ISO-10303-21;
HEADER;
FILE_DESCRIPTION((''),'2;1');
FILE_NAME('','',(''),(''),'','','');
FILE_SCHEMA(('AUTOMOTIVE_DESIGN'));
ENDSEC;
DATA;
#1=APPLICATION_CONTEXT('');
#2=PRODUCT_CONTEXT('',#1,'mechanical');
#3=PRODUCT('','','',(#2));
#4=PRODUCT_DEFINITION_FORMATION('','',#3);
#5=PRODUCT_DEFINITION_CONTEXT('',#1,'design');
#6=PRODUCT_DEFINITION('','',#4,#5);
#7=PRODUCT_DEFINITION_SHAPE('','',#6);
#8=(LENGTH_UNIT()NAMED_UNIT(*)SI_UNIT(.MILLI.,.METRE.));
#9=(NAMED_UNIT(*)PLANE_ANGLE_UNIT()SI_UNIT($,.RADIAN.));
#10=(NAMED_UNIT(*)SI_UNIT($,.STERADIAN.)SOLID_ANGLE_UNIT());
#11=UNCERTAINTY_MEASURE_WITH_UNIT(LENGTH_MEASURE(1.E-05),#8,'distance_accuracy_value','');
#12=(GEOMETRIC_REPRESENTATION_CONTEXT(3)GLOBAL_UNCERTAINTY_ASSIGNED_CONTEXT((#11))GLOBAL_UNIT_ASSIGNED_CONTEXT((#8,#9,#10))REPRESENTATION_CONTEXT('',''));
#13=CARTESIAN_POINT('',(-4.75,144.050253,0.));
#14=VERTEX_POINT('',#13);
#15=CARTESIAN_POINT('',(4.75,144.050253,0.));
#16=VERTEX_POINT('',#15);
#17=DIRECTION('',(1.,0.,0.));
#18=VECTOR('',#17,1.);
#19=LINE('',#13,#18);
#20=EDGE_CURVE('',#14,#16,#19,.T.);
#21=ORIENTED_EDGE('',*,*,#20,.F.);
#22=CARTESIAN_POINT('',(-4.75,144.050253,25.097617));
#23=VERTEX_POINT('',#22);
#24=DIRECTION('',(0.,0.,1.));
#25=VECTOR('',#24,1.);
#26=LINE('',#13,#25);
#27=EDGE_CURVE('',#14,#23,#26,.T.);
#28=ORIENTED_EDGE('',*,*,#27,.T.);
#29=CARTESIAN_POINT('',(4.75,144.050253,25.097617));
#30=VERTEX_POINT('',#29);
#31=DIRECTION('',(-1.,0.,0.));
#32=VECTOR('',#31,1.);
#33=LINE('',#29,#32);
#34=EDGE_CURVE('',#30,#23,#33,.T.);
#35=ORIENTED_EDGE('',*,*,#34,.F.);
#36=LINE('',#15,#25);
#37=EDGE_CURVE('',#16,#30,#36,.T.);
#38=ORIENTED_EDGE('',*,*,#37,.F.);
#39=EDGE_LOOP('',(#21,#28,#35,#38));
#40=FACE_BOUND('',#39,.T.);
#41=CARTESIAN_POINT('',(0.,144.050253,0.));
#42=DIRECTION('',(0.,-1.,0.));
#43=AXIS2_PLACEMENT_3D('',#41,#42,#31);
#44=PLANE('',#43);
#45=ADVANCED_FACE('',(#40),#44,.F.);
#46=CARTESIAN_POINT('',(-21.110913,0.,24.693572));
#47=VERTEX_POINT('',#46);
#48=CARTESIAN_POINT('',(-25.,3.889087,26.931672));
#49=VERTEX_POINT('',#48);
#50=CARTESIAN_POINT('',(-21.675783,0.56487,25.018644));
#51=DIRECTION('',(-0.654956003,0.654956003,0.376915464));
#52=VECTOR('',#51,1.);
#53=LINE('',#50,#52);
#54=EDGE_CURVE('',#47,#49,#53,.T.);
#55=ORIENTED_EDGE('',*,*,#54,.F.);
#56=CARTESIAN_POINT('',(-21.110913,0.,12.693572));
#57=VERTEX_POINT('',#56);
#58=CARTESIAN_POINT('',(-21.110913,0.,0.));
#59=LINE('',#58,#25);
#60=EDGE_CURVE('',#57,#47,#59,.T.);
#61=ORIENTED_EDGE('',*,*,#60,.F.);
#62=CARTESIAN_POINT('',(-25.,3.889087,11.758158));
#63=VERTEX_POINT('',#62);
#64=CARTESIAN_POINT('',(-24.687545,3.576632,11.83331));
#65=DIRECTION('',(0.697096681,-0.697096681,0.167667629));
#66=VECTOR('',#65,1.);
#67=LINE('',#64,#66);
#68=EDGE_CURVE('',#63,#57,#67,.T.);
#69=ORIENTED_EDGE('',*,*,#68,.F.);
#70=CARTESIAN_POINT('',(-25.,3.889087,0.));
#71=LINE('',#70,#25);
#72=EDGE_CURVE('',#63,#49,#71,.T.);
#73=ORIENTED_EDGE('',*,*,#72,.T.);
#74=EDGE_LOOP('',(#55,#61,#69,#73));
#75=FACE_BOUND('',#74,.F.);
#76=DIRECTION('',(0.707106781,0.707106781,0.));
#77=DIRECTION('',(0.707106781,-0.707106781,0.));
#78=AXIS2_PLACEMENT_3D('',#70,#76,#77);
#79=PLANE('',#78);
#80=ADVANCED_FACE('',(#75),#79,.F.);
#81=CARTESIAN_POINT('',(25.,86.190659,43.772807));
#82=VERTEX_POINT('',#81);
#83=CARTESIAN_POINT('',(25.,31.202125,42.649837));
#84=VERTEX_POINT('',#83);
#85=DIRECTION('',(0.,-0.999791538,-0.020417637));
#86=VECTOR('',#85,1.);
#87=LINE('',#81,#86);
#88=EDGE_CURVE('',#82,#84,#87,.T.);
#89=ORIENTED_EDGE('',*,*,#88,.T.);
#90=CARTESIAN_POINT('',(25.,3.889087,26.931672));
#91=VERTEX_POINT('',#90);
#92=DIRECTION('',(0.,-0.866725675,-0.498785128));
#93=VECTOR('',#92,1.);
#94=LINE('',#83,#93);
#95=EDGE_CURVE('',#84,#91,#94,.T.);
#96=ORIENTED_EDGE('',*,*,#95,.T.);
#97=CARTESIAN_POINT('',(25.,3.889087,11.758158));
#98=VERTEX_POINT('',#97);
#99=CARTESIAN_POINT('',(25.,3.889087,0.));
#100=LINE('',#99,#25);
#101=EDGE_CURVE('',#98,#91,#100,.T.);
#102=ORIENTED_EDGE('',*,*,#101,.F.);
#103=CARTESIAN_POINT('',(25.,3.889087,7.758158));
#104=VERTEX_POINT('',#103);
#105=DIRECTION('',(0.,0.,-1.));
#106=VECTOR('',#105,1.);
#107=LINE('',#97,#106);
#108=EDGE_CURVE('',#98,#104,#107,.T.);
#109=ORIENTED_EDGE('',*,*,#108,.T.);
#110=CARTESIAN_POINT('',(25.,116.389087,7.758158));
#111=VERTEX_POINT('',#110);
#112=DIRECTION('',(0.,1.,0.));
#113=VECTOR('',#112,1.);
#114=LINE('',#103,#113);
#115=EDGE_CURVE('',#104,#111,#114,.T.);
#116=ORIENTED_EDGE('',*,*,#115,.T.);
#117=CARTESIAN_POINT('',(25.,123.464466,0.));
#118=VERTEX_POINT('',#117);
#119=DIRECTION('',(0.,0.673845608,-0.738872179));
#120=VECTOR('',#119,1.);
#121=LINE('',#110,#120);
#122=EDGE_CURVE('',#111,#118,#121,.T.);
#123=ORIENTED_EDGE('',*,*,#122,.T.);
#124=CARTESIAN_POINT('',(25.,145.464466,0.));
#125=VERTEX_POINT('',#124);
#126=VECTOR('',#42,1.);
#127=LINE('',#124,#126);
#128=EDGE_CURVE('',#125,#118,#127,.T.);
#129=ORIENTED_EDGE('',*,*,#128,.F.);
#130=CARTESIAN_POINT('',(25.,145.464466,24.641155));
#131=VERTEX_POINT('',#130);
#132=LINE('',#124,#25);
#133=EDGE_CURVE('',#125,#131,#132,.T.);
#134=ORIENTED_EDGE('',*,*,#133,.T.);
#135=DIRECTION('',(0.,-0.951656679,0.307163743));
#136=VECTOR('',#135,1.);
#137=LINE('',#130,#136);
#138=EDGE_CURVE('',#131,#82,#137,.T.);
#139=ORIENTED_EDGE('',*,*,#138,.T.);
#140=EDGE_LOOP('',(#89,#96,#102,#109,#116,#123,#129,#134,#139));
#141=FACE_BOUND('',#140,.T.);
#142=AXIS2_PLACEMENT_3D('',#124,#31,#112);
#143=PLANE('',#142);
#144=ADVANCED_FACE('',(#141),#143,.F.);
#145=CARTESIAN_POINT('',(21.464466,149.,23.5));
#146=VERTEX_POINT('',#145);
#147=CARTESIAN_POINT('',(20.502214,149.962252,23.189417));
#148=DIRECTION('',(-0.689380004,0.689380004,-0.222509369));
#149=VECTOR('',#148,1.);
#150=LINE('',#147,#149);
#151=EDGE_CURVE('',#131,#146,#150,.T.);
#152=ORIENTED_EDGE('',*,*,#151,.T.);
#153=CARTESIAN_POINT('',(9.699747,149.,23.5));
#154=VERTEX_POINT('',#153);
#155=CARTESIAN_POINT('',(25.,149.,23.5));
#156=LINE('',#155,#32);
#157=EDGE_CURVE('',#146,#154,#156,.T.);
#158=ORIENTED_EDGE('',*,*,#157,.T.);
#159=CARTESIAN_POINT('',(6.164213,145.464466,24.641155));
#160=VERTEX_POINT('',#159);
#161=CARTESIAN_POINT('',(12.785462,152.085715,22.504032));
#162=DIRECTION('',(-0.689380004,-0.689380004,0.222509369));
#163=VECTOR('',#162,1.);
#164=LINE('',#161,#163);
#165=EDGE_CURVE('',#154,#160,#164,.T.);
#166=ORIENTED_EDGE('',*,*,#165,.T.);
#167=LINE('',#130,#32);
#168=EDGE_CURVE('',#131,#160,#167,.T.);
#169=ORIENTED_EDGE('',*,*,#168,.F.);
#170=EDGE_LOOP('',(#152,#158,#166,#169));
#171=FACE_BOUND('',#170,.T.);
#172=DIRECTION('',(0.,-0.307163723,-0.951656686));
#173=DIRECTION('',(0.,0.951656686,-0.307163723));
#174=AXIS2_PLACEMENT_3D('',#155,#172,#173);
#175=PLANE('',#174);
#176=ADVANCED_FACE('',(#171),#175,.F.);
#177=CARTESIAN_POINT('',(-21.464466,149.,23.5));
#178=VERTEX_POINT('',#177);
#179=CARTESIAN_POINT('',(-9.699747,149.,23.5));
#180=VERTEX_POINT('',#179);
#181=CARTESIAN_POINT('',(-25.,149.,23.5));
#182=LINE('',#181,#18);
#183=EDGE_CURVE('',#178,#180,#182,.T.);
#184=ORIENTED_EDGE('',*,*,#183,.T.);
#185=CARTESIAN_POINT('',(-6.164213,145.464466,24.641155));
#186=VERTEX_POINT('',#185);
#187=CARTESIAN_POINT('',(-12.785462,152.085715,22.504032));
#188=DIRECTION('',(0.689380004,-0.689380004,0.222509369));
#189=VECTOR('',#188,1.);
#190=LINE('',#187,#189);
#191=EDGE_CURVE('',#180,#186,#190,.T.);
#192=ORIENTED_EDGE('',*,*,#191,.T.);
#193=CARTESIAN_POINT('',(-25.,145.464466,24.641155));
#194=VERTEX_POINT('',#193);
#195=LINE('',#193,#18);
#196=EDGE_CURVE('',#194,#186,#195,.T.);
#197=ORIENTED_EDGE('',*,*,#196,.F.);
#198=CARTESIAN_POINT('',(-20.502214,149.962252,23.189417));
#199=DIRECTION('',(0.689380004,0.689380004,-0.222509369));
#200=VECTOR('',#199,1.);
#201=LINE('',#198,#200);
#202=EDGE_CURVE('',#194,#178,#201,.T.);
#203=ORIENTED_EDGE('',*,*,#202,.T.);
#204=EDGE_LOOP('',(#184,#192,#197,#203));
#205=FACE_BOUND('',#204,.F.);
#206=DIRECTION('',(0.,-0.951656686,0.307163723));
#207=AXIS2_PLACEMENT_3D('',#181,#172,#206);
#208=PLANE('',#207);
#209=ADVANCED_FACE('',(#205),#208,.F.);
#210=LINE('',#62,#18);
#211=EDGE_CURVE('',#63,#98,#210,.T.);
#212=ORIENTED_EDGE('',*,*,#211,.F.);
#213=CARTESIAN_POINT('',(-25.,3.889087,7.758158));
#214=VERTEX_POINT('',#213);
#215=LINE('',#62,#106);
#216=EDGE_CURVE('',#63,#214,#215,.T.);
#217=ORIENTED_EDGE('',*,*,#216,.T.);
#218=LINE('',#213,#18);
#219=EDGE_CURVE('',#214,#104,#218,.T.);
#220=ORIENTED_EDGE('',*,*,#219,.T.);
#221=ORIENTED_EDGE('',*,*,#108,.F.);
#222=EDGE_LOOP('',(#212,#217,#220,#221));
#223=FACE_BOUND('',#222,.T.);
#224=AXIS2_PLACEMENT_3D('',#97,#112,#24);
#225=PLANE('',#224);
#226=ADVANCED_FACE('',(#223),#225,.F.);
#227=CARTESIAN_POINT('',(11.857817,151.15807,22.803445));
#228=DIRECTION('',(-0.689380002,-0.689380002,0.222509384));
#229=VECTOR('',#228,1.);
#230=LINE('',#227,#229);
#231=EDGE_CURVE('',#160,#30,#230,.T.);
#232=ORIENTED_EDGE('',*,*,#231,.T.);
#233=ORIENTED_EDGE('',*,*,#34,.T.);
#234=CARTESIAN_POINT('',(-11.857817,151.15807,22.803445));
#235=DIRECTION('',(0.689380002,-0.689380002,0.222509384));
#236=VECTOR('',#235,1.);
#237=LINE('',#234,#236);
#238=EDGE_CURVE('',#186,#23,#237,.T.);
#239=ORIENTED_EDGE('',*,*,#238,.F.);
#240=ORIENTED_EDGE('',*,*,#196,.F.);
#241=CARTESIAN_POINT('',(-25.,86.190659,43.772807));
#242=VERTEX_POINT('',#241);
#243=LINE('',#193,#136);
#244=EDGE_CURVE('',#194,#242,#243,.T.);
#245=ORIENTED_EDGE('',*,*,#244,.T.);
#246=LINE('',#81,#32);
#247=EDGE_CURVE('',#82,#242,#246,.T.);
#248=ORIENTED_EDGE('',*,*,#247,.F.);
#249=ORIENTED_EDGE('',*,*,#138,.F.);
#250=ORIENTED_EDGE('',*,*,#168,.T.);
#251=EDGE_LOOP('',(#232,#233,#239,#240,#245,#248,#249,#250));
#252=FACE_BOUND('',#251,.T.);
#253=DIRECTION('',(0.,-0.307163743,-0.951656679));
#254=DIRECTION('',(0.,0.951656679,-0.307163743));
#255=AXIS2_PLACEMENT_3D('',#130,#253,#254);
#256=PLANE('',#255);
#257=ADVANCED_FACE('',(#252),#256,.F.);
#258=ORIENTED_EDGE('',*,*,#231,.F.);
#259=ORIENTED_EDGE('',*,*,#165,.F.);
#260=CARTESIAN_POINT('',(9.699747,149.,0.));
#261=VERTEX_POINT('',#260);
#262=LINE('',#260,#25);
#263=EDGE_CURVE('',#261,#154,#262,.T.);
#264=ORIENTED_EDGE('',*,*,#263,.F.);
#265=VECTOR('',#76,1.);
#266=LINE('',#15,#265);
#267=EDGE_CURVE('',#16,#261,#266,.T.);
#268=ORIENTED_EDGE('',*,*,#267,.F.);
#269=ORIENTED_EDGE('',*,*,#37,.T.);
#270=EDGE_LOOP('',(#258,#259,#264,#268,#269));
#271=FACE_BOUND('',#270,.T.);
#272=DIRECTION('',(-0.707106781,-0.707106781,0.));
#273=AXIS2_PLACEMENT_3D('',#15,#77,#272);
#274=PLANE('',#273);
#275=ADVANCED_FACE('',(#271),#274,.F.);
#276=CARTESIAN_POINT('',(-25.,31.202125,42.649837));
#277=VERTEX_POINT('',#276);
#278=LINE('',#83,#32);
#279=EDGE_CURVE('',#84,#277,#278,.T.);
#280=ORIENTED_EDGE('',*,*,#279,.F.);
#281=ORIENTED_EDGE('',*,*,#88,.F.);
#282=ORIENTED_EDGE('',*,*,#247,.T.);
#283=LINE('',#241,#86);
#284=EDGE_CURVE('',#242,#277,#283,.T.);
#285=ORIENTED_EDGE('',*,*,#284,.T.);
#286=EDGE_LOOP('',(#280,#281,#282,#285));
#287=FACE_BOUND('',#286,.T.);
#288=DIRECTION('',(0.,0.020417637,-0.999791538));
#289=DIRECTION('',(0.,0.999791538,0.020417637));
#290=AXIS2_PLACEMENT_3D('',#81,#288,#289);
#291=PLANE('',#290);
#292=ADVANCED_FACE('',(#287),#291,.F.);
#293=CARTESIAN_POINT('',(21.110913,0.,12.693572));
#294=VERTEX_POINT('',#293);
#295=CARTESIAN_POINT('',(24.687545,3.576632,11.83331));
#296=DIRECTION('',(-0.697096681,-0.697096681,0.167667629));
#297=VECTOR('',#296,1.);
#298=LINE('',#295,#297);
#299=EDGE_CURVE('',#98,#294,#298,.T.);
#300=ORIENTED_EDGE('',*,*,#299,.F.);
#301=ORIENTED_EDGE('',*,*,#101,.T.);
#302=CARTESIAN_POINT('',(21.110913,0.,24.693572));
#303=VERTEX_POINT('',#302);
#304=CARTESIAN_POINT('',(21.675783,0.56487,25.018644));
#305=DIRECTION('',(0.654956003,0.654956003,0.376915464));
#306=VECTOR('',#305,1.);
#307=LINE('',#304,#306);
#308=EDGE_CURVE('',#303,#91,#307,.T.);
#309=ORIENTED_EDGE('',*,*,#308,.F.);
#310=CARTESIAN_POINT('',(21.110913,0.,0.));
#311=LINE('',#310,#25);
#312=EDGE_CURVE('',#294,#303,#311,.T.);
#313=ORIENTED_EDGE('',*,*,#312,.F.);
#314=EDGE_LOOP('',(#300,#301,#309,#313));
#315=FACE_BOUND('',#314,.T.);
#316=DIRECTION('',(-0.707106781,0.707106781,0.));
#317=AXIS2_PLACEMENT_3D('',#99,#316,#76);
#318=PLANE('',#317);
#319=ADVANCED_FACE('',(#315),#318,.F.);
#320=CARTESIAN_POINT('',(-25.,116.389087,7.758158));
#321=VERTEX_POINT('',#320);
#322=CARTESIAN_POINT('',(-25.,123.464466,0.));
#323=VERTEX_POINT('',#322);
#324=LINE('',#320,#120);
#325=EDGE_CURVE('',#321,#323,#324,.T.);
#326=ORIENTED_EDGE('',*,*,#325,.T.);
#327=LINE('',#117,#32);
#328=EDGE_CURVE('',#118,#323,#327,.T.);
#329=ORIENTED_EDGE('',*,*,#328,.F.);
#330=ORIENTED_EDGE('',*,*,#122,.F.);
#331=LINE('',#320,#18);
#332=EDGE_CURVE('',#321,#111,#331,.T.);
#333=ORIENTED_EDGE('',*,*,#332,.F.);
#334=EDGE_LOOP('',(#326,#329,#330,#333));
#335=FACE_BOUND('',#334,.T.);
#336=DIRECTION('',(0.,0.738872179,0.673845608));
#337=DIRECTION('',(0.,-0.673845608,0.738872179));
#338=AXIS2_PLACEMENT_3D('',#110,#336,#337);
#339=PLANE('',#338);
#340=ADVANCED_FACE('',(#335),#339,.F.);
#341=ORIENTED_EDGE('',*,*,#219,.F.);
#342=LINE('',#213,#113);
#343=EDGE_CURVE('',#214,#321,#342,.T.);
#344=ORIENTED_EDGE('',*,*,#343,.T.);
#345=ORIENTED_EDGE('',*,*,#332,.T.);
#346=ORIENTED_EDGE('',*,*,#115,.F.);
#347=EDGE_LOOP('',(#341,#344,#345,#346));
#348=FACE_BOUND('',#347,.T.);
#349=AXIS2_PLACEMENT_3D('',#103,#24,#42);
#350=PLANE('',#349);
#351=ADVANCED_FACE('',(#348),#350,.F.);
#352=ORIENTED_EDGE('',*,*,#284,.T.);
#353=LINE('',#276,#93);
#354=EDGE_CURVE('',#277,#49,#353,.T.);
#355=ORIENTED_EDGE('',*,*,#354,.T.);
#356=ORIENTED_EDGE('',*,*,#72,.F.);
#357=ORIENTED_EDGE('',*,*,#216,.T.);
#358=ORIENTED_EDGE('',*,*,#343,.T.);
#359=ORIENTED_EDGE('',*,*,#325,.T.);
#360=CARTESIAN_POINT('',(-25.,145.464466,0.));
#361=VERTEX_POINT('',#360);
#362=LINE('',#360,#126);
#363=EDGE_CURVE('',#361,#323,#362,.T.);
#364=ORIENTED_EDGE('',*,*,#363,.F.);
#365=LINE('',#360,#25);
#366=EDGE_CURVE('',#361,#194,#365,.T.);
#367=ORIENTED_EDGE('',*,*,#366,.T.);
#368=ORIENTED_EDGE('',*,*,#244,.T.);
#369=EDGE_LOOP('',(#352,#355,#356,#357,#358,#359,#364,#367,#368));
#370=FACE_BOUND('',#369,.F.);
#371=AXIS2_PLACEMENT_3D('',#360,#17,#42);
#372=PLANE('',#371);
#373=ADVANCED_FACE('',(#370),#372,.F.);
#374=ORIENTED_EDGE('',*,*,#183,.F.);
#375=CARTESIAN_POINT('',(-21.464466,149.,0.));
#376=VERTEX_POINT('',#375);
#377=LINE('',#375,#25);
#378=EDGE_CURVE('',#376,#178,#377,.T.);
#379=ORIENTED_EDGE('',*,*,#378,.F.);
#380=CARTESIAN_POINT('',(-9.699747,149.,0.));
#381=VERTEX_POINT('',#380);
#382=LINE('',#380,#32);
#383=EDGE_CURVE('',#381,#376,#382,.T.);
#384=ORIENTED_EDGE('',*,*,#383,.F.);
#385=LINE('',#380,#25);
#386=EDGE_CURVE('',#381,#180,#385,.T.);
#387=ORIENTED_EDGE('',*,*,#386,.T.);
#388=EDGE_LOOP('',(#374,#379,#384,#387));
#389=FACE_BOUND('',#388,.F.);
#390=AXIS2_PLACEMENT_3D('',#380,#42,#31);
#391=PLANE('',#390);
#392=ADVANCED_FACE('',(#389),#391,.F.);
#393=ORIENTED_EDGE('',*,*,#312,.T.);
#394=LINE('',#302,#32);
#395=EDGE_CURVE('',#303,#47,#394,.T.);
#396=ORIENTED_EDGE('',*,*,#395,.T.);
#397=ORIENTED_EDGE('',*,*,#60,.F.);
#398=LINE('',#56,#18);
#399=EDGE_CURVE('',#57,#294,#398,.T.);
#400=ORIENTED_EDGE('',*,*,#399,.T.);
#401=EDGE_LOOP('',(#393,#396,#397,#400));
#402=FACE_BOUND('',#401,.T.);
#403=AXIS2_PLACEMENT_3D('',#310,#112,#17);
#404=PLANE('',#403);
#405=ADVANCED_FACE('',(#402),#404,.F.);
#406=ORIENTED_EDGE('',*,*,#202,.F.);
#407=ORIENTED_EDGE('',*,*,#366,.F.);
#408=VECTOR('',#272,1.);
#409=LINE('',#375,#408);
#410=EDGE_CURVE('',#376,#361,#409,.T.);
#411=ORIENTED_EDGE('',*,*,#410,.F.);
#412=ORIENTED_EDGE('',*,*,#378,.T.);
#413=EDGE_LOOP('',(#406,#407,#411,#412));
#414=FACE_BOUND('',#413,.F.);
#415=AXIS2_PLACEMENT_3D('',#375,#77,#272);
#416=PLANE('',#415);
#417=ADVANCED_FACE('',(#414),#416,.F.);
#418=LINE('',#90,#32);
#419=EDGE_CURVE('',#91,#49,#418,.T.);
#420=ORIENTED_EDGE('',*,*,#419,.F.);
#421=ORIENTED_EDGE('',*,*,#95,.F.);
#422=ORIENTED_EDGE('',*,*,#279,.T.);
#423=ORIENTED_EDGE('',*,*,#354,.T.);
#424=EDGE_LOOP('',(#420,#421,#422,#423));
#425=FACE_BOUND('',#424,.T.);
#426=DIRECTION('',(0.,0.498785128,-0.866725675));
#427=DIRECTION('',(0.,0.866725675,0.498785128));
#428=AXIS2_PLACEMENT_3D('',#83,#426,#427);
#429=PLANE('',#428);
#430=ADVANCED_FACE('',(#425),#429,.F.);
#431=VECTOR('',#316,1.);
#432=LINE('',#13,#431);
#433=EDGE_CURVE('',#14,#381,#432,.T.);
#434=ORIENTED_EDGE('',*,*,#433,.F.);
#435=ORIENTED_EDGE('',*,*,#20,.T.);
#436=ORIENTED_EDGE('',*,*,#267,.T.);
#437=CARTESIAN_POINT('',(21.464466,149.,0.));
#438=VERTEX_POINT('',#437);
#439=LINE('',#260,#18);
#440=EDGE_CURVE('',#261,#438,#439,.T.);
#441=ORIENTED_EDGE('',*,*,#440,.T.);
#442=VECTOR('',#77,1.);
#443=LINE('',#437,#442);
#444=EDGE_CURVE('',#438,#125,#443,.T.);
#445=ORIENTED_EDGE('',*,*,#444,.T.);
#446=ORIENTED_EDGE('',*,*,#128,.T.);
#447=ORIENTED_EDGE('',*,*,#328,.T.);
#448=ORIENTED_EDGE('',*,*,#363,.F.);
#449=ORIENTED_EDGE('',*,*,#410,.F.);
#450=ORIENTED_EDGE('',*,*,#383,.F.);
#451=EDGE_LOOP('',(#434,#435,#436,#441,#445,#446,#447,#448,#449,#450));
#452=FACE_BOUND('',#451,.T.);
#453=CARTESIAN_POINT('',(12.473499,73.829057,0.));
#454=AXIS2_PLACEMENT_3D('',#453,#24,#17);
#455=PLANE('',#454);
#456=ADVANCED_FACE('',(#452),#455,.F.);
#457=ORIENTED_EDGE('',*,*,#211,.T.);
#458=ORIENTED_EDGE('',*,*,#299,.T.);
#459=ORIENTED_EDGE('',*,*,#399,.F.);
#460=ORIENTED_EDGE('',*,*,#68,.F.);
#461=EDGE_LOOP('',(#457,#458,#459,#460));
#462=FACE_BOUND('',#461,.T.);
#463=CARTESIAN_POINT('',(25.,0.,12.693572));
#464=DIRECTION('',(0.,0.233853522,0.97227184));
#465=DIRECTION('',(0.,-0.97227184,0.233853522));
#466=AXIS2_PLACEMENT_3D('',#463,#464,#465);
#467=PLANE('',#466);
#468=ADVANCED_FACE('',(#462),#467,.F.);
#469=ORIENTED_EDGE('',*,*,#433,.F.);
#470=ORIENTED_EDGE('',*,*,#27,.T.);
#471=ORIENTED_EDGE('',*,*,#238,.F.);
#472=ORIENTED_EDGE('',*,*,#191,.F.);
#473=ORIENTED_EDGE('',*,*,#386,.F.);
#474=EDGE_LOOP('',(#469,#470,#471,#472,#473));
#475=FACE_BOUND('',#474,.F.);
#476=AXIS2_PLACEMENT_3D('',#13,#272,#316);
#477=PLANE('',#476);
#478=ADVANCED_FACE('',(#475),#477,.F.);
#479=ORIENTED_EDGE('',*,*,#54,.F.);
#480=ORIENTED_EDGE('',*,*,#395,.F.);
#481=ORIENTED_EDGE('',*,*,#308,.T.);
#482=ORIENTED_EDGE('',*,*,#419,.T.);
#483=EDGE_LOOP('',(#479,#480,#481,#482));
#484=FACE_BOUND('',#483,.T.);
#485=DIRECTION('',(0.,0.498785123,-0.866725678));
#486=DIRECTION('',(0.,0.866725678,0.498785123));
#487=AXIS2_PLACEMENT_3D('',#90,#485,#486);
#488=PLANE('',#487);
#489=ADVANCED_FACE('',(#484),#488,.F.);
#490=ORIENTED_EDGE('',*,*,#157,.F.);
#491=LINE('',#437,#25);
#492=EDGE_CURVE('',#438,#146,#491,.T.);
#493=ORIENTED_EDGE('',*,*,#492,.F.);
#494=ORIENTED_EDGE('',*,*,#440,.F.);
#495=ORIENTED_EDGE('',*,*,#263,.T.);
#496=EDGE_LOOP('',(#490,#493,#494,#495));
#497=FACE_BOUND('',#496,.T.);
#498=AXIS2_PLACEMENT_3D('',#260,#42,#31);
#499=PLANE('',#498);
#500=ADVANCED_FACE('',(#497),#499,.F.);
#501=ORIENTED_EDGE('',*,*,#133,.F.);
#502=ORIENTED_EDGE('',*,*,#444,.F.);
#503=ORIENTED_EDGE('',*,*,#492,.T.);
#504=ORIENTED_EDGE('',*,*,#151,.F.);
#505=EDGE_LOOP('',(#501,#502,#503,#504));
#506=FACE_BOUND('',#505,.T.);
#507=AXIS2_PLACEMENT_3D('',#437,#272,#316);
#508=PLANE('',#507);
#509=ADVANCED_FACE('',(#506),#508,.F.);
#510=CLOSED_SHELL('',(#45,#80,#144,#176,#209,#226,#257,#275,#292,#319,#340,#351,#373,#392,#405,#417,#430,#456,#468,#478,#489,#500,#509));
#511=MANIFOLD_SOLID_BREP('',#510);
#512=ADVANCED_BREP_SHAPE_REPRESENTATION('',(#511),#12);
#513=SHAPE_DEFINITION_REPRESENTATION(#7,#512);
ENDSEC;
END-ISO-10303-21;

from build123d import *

# Parameters (mm, degrees)
F1_DEPTH = 48
F3_DEPTH = 25


with BuildPart() as f1:
    # F0 (on Top) → F1 (new body)
    with BuildSketch(Plane.XY):
        Polygon((-21.110913, 0), (0, 0), (0, 144.050253), (-4.75, 144.050253), (-9.699747, 149), (-21.464466, 149), (-25, 145.464466), (-25, 3.889087), align=None)
    extrude(amount=F1_DEPTH)

    # F2 (on face) → F3 (cut, through all)
    with BuildSketch(Plane(origin=(-25, 0, 0), x_dir=(0, -1, 0), z_dir=(-1, 0, 0))):
        Polygon((-145.464466, 48), (-145.464466, 24.641155), (-86.190659, 43.772807), (-31.202125, 42.649837), (-3.889087, 26.931672), (-3.889087, 48), align=None)
        Polygon((-116.389087, 7.758158), (-123.464466, 0), (-3.889087, 0), (-3.889087, 7.758158), align=None)
        Polygon((-149, 23.5), (-145.464466, 24.641155), (-145.464466, 48), (-149, 48), align=None)
        Polygon((0, 48), (-3.889087, 48), (-3.889087, 26.931672), (0, 24.693572), align=None)
        Polygon((-3.889087, 7.758158), (-3.889087, 0), (0, 0), (0, 12.693572), (-3.889087, 11.758158), align=None)
    extrude(amount=-F3_DEPTH, mode=Mode.SUBTRACT)

    # F4: F1 across plane


with BuildPart() as f1_1:
    add(f1.part)
    add(f1.part.mirror(Plane.YZ))


solid = f1_1.part
